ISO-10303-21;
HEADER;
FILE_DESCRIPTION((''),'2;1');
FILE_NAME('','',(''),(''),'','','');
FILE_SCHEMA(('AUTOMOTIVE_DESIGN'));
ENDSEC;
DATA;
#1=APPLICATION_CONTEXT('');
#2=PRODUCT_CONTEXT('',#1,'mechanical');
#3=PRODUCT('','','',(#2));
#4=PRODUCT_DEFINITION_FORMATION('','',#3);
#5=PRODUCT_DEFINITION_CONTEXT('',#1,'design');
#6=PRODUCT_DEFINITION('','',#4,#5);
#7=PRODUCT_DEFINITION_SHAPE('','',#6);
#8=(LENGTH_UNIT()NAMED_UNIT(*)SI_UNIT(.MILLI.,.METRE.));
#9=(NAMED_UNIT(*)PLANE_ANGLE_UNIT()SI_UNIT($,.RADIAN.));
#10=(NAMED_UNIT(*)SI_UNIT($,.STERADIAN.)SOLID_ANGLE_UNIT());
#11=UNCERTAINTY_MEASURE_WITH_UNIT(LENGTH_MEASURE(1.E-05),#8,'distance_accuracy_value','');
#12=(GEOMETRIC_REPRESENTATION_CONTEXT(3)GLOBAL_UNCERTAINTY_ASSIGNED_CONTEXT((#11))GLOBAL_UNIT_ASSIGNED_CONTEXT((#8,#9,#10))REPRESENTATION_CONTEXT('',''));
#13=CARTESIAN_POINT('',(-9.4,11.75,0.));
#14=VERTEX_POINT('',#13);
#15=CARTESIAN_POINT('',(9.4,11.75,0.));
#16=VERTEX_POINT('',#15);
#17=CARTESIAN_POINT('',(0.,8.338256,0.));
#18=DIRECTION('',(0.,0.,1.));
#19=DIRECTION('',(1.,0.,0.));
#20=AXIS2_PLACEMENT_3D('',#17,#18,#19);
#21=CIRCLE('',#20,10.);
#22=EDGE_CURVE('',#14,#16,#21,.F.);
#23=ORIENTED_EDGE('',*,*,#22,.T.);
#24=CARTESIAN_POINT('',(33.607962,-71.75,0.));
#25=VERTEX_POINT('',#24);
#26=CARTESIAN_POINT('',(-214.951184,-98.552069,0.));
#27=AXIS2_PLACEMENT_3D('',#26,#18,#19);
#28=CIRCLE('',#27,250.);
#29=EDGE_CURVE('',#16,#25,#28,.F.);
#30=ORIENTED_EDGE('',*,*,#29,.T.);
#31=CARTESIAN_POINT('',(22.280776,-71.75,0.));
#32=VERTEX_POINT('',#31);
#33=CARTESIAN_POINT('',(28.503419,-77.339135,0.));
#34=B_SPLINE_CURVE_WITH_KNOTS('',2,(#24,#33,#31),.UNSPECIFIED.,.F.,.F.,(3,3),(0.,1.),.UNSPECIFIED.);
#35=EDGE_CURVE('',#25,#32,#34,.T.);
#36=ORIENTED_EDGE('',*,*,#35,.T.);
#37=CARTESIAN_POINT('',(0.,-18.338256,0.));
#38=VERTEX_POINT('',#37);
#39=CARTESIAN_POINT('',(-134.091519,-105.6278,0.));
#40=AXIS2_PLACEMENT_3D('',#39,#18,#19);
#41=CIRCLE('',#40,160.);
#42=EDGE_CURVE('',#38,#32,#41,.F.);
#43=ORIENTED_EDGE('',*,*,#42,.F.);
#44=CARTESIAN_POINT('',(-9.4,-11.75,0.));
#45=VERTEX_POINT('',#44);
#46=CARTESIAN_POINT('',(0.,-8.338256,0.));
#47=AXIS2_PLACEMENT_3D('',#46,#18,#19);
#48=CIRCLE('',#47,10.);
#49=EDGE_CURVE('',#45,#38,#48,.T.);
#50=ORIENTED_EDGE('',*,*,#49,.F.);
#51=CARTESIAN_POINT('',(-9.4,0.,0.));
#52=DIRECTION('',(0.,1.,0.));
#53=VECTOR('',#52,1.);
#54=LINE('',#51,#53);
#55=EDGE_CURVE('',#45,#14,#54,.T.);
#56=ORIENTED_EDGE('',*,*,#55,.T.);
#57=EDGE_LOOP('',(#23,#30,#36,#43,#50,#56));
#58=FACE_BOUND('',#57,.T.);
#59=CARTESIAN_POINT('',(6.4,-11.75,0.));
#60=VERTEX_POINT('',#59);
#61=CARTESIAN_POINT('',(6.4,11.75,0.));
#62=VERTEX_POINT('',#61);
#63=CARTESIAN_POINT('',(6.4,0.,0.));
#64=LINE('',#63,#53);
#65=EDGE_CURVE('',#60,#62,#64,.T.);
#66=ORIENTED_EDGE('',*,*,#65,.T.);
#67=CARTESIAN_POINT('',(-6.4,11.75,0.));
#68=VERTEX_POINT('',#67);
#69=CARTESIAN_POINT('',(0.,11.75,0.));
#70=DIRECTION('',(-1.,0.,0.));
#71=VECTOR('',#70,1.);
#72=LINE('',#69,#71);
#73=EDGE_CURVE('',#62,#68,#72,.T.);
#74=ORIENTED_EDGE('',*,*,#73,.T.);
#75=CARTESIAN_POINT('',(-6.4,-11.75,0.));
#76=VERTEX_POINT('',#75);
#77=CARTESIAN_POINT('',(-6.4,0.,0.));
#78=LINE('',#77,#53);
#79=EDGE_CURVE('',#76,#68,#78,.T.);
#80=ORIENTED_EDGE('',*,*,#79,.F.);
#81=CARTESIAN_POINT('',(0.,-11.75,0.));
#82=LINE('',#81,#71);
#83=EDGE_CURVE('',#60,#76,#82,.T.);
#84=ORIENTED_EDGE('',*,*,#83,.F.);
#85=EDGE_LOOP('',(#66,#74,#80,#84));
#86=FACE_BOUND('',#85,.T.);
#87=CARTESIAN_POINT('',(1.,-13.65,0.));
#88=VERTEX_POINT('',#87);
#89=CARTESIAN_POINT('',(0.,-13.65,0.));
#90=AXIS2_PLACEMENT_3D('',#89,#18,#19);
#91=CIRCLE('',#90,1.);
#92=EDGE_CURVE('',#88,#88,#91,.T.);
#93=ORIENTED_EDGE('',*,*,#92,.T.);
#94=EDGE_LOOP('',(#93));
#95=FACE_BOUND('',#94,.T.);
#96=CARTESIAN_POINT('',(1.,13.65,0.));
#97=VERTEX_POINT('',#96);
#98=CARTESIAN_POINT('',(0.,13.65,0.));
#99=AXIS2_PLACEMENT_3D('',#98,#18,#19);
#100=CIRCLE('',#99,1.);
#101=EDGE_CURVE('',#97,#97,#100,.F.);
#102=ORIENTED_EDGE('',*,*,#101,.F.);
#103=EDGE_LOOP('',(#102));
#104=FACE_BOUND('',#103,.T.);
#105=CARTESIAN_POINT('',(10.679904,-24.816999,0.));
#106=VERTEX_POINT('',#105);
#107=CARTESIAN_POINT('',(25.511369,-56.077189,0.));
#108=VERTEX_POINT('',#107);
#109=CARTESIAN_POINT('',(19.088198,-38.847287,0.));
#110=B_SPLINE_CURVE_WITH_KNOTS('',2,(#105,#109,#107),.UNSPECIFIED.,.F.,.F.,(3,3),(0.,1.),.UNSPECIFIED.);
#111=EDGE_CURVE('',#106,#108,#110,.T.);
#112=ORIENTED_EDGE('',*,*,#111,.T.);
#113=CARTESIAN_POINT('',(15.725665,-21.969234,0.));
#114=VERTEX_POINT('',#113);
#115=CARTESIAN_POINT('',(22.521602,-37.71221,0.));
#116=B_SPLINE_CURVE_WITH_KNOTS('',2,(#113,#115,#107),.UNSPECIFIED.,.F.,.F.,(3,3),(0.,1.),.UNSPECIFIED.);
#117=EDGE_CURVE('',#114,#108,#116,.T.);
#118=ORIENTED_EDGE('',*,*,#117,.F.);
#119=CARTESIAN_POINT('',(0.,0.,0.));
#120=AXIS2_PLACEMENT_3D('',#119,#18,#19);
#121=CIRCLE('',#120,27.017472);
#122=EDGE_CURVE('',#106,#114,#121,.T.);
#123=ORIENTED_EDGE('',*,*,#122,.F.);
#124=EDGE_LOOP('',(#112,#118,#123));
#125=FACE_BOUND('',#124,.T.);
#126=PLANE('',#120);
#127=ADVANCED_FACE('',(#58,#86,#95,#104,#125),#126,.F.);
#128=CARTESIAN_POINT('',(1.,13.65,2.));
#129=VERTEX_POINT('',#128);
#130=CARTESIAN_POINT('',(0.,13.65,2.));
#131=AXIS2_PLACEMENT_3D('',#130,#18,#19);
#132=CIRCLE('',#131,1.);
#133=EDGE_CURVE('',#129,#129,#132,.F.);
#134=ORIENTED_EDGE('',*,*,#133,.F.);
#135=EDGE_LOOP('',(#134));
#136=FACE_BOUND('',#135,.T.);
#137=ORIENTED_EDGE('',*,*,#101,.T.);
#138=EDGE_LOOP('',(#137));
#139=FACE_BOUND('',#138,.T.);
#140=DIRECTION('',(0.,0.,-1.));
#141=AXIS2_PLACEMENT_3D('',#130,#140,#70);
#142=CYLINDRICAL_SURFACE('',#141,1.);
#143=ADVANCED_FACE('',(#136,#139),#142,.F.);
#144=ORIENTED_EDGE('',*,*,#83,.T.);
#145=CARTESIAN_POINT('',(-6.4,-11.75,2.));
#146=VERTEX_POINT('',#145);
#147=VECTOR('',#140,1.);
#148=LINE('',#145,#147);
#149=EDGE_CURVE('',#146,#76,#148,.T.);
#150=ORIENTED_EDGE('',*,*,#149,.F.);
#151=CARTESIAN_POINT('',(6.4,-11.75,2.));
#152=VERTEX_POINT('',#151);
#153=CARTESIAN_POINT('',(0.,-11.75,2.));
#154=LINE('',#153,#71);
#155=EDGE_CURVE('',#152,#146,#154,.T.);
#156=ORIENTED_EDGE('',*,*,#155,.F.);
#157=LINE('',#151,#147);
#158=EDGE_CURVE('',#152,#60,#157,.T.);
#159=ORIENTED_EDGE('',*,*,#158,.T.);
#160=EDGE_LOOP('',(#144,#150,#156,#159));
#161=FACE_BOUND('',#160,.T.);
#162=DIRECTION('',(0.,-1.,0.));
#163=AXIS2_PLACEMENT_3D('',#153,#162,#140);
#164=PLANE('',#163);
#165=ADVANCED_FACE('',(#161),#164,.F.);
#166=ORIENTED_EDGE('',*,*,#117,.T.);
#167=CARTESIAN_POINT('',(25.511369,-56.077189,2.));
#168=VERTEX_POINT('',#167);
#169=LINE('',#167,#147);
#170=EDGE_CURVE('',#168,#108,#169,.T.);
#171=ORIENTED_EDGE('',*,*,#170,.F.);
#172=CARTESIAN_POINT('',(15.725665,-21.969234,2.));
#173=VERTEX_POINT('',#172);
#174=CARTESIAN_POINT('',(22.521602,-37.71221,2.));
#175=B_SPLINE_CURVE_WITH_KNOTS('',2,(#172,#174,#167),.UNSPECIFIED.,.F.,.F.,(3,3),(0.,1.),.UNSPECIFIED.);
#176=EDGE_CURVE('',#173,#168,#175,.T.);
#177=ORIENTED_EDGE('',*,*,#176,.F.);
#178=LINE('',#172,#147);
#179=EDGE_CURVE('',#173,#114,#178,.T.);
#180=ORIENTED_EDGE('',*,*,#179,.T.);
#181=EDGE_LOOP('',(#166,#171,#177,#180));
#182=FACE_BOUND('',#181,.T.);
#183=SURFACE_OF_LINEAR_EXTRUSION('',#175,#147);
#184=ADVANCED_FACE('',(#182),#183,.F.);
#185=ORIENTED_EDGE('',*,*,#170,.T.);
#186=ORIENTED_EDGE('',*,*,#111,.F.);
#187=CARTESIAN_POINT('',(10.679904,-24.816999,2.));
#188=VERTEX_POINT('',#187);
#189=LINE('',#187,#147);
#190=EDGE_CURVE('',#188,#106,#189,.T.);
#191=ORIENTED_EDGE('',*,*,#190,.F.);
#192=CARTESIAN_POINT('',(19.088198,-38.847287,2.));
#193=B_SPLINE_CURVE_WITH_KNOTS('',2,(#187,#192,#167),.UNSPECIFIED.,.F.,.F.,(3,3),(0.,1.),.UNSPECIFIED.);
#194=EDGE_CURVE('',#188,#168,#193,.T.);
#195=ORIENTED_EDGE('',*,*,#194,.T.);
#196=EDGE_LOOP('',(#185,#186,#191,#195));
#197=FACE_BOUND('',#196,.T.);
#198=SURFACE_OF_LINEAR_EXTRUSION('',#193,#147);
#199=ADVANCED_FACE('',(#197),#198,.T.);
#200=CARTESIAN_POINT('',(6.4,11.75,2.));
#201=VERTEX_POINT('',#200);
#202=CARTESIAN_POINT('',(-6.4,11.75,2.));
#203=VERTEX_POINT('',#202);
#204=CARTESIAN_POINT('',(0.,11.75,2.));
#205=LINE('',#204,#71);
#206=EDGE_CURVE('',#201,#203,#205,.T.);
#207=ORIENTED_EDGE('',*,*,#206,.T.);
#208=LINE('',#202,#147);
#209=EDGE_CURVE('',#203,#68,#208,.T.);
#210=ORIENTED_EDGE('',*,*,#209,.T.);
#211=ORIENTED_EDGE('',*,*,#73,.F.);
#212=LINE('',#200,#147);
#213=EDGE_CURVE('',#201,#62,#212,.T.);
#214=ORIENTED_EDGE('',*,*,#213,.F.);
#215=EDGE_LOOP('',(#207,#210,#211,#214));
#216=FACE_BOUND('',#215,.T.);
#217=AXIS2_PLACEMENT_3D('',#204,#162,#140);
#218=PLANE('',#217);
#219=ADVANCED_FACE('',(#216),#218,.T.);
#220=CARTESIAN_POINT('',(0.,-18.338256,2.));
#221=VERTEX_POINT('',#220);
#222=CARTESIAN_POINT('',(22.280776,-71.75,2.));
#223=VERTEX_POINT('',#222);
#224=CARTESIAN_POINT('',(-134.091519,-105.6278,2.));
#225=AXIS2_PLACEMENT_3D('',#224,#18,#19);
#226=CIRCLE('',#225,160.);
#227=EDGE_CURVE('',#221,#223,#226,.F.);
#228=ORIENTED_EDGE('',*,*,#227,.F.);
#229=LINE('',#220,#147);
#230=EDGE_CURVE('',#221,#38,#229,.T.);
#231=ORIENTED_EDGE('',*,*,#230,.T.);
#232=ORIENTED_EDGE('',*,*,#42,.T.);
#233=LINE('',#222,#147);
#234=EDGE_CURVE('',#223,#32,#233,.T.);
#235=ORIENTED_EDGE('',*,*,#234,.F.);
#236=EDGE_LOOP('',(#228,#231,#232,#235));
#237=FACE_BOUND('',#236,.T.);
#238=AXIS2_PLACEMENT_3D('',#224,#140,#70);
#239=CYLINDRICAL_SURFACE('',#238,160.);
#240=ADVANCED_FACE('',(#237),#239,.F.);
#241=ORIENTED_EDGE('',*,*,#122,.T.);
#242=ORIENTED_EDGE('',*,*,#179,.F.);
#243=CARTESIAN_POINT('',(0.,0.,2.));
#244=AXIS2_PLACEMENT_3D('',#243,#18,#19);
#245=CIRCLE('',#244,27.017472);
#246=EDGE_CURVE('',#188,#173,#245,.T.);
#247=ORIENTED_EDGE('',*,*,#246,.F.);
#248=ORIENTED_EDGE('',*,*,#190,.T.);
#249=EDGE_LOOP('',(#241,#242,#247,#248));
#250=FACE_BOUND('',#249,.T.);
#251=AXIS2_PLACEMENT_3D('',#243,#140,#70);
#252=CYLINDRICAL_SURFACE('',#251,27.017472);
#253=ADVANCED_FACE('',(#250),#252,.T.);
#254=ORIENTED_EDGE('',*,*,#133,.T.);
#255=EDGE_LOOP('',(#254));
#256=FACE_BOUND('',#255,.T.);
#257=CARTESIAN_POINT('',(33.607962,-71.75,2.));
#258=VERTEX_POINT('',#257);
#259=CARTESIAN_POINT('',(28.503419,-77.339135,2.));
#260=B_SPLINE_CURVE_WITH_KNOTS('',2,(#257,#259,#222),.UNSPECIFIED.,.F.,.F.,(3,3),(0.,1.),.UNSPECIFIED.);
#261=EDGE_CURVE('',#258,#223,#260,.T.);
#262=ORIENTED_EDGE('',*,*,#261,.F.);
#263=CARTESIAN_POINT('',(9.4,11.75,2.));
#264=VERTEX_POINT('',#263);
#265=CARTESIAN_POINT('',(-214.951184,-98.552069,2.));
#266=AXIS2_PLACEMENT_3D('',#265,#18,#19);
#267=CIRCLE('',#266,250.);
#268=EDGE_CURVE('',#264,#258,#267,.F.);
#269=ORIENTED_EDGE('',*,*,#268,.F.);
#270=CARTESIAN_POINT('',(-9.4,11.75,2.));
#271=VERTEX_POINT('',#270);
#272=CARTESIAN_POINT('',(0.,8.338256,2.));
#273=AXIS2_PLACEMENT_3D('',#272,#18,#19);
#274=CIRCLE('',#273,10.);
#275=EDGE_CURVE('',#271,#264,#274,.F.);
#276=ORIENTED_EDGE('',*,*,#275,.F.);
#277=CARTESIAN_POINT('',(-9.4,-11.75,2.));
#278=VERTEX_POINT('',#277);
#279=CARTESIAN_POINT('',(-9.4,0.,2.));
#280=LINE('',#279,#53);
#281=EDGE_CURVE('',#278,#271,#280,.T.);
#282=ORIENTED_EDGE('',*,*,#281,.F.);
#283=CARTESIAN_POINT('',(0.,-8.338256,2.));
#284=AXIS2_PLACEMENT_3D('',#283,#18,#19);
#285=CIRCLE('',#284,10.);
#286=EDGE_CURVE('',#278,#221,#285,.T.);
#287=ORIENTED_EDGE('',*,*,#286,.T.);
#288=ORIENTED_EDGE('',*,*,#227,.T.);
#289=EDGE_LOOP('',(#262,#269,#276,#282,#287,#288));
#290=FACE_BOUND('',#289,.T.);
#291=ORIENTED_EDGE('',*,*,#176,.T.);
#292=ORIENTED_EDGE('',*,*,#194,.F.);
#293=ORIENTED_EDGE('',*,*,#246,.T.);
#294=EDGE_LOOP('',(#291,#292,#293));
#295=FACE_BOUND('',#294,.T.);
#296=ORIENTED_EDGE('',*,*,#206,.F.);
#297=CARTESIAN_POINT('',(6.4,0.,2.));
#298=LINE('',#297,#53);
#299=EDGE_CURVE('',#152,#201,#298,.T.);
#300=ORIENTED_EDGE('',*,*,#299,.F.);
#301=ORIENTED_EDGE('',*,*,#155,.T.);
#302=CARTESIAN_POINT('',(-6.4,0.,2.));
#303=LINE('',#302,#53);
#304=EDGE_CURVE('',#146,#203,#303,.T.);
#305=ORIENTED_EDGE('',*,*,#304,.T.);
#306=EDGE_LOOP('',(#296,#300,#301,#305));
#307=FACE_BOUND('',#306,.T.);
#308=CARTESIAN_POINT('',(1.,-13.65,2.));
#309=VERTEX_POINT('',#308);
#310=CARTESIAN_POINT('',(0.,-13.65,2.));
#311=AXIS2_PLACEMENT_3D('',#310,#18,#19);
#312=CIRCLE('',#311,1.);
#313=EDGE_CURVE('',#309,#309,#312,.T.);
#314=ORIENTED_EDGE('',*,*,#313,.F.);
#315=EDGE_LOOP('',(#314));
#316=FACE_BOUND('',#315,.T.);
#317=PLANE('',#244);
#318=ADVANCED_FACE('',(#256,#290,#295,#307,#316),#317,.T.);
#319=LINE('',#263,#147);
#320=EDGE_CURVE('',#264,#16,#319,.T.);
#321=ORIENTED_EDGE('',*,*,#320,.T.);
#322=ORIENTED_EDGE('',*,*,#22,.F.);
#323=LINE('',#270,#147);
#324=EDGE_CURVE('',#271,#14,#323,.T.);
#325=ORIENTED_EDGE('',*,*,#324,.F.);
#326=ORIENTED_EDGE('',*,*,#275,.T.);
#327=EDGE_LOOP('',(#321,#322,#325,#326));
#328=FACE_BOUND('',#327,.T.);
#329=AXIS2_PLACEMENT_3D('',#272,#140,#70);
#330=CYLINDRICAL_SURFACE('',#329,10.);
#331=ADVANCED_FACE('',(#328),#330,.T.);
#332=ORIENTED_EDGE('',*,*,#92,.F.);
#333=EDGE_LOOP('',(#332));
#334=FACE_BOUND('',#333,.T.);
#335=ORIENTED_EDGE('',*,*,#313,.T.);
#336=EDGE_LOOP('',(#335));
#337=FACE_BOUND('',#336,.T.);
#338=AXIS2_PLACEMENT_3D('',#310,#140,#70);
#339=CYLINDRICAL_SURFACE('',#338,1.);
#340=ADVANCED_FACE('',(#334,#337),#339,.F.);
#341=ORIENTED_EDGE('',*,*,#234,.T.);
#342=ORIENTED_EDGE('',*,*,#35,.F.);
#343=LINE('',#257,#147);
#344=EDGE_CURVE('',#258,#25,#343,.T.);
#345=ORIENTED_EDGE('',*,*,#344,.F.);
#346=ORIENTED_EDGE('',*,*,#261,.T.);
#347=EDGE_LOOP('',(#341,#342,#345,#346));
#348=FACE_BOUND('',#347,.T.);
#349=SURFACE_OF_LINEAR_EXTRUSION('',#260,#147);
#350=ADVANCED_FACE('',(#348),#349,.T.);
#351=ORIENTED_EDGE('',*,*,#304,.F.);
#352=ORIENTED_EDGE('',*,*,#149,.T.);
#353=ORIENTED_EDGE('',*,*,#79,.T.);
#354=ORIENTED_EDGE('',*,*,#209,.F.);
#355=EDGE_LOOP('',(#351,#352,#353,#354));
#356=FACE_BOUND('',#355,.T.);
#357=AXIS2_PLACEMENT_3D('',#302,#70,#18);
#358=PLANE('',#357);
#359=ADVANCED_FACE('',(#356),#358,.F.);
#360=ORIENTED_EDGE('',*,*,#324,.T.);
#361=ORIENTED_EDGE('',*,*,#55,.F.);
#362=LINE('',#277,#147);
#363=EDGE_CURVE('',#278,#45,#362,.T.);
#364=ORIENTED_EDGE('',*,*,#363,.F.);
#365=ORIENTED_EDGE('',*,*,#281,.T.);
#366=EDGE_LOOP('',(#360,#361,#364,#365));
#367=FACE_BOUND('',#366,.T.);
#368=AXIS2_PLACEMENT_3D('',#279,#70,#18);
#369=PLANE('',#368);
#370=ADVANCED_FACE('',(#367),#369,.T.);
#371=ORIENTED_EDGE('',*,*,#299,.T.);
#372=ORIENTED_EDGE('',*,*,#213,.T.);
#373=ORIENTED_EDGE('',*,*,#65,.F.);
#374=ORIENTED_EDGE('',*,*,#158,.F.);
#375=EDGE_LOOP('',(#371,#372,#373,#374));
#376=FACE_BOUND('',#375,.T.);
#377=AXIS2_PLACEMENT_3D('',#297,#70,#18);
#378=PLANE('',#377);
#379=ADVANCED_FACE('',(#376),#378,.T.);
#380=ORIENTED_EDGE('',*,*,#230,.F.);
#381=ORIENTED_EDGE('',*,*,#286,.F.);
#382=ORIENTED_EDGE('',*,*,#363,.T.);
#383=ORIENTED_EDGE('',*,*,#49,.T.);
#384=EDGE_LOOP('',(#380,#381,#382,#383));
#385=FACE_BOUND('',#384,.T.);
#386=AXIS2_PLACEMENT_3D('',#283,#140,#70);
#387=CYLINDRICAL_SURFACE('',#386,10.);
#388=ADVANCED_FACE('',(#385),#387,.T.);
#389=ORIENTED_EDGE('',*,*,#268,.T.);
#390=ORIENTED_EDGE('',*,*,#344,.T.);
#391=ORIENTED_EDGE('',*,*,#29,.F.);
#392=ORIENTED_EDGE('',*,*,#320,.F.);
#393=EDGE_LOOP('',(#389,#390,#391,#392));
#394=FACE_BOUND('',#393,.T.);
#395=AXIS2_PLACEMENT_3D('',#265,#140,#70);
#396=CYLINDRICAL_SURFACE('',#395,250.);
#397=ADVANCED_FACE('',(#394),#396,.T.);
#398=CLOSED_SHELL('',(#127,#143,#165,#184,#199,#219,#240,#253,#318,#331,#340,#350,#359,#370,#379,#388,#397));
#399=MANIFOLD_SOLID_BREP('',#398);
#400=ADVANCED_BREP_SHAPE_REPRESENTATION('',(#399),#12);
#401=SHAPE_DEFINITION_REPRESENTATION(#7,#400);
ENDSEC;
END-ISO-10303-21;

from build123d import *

# Parameters (mm, degrees)
SKETCH1_R           = 1
SKETCH1_W           = 12.8
SKETCH1_H           = 23.5
BOSS_EXTRUDE1_DEPTH = 2


with BuildPart() as part:
    # Sketch1 → Boss-Extrude1 (new body)
    with BuildSketch(Plane.XY):
        with BuildLine():
            Line((-9.4, 11.75), (-9.4, -11.75))
            ThreePointArc((-9.4, -11.75), (-5.739449267, -16.527194588), (0, -18.338255578))
            ThreePointArc((0, -18.338255578), (13.57537109, -44.028371556), (22.280776055, -71.75))
            add(Edge.make_bspline(
                [(33.607962355, -71.75), (28.503418884, -77.33913538), (22.280776055, -71.75)],
                knots=[0, 0, 0, 1, 1, 1], degree=2))
            ThreePointArc((33.607962355, -71.75), (25.161513792, -28.93962381), (9.4, 11.75))
            ThreePointArc((9.4, 11.75), (0, 18.338255578), (-9.4, 11.75))
        make_face()
        with Locations((0, -13.65)):
            Circle(SKETCH1_R, mode=Mode.SUBTRACT)
        Rectangle(SKETCH1_W, SKETCH1_H, mode=Mode.SUBTRACT)
        with Locations((0, 13.65)):
            Circle(SKETCH1_R, mode=Mode.SUBTRACT)
        with BuildLine():
            add(Edge.make_bspline(
                [(15.725665239, -21.969234099), (22.521602369, -37.712210356), (25.511369443, -56.077189315)],
                knots=[0, 0, 0, 1, 1, 1], degree=2))
            add(Edge.make_bspline(
                [(10.679903774, -24.816999203), (19.088197707, -38.847286621), (25.511369443, -56.077189315)],
                knots=[0, 0, 0, 1, 1, 1], degree=2))
            ThreePointArc((10.679903774, -24.816999203), (13.279343366, -23.528766092), (15.725665239, -21.969234099))
        make_face(mode=Mode.SUBTRACT)
    extrude(amount=BOSS_EXTRUDE1_DEPTH)


solid = part.part
